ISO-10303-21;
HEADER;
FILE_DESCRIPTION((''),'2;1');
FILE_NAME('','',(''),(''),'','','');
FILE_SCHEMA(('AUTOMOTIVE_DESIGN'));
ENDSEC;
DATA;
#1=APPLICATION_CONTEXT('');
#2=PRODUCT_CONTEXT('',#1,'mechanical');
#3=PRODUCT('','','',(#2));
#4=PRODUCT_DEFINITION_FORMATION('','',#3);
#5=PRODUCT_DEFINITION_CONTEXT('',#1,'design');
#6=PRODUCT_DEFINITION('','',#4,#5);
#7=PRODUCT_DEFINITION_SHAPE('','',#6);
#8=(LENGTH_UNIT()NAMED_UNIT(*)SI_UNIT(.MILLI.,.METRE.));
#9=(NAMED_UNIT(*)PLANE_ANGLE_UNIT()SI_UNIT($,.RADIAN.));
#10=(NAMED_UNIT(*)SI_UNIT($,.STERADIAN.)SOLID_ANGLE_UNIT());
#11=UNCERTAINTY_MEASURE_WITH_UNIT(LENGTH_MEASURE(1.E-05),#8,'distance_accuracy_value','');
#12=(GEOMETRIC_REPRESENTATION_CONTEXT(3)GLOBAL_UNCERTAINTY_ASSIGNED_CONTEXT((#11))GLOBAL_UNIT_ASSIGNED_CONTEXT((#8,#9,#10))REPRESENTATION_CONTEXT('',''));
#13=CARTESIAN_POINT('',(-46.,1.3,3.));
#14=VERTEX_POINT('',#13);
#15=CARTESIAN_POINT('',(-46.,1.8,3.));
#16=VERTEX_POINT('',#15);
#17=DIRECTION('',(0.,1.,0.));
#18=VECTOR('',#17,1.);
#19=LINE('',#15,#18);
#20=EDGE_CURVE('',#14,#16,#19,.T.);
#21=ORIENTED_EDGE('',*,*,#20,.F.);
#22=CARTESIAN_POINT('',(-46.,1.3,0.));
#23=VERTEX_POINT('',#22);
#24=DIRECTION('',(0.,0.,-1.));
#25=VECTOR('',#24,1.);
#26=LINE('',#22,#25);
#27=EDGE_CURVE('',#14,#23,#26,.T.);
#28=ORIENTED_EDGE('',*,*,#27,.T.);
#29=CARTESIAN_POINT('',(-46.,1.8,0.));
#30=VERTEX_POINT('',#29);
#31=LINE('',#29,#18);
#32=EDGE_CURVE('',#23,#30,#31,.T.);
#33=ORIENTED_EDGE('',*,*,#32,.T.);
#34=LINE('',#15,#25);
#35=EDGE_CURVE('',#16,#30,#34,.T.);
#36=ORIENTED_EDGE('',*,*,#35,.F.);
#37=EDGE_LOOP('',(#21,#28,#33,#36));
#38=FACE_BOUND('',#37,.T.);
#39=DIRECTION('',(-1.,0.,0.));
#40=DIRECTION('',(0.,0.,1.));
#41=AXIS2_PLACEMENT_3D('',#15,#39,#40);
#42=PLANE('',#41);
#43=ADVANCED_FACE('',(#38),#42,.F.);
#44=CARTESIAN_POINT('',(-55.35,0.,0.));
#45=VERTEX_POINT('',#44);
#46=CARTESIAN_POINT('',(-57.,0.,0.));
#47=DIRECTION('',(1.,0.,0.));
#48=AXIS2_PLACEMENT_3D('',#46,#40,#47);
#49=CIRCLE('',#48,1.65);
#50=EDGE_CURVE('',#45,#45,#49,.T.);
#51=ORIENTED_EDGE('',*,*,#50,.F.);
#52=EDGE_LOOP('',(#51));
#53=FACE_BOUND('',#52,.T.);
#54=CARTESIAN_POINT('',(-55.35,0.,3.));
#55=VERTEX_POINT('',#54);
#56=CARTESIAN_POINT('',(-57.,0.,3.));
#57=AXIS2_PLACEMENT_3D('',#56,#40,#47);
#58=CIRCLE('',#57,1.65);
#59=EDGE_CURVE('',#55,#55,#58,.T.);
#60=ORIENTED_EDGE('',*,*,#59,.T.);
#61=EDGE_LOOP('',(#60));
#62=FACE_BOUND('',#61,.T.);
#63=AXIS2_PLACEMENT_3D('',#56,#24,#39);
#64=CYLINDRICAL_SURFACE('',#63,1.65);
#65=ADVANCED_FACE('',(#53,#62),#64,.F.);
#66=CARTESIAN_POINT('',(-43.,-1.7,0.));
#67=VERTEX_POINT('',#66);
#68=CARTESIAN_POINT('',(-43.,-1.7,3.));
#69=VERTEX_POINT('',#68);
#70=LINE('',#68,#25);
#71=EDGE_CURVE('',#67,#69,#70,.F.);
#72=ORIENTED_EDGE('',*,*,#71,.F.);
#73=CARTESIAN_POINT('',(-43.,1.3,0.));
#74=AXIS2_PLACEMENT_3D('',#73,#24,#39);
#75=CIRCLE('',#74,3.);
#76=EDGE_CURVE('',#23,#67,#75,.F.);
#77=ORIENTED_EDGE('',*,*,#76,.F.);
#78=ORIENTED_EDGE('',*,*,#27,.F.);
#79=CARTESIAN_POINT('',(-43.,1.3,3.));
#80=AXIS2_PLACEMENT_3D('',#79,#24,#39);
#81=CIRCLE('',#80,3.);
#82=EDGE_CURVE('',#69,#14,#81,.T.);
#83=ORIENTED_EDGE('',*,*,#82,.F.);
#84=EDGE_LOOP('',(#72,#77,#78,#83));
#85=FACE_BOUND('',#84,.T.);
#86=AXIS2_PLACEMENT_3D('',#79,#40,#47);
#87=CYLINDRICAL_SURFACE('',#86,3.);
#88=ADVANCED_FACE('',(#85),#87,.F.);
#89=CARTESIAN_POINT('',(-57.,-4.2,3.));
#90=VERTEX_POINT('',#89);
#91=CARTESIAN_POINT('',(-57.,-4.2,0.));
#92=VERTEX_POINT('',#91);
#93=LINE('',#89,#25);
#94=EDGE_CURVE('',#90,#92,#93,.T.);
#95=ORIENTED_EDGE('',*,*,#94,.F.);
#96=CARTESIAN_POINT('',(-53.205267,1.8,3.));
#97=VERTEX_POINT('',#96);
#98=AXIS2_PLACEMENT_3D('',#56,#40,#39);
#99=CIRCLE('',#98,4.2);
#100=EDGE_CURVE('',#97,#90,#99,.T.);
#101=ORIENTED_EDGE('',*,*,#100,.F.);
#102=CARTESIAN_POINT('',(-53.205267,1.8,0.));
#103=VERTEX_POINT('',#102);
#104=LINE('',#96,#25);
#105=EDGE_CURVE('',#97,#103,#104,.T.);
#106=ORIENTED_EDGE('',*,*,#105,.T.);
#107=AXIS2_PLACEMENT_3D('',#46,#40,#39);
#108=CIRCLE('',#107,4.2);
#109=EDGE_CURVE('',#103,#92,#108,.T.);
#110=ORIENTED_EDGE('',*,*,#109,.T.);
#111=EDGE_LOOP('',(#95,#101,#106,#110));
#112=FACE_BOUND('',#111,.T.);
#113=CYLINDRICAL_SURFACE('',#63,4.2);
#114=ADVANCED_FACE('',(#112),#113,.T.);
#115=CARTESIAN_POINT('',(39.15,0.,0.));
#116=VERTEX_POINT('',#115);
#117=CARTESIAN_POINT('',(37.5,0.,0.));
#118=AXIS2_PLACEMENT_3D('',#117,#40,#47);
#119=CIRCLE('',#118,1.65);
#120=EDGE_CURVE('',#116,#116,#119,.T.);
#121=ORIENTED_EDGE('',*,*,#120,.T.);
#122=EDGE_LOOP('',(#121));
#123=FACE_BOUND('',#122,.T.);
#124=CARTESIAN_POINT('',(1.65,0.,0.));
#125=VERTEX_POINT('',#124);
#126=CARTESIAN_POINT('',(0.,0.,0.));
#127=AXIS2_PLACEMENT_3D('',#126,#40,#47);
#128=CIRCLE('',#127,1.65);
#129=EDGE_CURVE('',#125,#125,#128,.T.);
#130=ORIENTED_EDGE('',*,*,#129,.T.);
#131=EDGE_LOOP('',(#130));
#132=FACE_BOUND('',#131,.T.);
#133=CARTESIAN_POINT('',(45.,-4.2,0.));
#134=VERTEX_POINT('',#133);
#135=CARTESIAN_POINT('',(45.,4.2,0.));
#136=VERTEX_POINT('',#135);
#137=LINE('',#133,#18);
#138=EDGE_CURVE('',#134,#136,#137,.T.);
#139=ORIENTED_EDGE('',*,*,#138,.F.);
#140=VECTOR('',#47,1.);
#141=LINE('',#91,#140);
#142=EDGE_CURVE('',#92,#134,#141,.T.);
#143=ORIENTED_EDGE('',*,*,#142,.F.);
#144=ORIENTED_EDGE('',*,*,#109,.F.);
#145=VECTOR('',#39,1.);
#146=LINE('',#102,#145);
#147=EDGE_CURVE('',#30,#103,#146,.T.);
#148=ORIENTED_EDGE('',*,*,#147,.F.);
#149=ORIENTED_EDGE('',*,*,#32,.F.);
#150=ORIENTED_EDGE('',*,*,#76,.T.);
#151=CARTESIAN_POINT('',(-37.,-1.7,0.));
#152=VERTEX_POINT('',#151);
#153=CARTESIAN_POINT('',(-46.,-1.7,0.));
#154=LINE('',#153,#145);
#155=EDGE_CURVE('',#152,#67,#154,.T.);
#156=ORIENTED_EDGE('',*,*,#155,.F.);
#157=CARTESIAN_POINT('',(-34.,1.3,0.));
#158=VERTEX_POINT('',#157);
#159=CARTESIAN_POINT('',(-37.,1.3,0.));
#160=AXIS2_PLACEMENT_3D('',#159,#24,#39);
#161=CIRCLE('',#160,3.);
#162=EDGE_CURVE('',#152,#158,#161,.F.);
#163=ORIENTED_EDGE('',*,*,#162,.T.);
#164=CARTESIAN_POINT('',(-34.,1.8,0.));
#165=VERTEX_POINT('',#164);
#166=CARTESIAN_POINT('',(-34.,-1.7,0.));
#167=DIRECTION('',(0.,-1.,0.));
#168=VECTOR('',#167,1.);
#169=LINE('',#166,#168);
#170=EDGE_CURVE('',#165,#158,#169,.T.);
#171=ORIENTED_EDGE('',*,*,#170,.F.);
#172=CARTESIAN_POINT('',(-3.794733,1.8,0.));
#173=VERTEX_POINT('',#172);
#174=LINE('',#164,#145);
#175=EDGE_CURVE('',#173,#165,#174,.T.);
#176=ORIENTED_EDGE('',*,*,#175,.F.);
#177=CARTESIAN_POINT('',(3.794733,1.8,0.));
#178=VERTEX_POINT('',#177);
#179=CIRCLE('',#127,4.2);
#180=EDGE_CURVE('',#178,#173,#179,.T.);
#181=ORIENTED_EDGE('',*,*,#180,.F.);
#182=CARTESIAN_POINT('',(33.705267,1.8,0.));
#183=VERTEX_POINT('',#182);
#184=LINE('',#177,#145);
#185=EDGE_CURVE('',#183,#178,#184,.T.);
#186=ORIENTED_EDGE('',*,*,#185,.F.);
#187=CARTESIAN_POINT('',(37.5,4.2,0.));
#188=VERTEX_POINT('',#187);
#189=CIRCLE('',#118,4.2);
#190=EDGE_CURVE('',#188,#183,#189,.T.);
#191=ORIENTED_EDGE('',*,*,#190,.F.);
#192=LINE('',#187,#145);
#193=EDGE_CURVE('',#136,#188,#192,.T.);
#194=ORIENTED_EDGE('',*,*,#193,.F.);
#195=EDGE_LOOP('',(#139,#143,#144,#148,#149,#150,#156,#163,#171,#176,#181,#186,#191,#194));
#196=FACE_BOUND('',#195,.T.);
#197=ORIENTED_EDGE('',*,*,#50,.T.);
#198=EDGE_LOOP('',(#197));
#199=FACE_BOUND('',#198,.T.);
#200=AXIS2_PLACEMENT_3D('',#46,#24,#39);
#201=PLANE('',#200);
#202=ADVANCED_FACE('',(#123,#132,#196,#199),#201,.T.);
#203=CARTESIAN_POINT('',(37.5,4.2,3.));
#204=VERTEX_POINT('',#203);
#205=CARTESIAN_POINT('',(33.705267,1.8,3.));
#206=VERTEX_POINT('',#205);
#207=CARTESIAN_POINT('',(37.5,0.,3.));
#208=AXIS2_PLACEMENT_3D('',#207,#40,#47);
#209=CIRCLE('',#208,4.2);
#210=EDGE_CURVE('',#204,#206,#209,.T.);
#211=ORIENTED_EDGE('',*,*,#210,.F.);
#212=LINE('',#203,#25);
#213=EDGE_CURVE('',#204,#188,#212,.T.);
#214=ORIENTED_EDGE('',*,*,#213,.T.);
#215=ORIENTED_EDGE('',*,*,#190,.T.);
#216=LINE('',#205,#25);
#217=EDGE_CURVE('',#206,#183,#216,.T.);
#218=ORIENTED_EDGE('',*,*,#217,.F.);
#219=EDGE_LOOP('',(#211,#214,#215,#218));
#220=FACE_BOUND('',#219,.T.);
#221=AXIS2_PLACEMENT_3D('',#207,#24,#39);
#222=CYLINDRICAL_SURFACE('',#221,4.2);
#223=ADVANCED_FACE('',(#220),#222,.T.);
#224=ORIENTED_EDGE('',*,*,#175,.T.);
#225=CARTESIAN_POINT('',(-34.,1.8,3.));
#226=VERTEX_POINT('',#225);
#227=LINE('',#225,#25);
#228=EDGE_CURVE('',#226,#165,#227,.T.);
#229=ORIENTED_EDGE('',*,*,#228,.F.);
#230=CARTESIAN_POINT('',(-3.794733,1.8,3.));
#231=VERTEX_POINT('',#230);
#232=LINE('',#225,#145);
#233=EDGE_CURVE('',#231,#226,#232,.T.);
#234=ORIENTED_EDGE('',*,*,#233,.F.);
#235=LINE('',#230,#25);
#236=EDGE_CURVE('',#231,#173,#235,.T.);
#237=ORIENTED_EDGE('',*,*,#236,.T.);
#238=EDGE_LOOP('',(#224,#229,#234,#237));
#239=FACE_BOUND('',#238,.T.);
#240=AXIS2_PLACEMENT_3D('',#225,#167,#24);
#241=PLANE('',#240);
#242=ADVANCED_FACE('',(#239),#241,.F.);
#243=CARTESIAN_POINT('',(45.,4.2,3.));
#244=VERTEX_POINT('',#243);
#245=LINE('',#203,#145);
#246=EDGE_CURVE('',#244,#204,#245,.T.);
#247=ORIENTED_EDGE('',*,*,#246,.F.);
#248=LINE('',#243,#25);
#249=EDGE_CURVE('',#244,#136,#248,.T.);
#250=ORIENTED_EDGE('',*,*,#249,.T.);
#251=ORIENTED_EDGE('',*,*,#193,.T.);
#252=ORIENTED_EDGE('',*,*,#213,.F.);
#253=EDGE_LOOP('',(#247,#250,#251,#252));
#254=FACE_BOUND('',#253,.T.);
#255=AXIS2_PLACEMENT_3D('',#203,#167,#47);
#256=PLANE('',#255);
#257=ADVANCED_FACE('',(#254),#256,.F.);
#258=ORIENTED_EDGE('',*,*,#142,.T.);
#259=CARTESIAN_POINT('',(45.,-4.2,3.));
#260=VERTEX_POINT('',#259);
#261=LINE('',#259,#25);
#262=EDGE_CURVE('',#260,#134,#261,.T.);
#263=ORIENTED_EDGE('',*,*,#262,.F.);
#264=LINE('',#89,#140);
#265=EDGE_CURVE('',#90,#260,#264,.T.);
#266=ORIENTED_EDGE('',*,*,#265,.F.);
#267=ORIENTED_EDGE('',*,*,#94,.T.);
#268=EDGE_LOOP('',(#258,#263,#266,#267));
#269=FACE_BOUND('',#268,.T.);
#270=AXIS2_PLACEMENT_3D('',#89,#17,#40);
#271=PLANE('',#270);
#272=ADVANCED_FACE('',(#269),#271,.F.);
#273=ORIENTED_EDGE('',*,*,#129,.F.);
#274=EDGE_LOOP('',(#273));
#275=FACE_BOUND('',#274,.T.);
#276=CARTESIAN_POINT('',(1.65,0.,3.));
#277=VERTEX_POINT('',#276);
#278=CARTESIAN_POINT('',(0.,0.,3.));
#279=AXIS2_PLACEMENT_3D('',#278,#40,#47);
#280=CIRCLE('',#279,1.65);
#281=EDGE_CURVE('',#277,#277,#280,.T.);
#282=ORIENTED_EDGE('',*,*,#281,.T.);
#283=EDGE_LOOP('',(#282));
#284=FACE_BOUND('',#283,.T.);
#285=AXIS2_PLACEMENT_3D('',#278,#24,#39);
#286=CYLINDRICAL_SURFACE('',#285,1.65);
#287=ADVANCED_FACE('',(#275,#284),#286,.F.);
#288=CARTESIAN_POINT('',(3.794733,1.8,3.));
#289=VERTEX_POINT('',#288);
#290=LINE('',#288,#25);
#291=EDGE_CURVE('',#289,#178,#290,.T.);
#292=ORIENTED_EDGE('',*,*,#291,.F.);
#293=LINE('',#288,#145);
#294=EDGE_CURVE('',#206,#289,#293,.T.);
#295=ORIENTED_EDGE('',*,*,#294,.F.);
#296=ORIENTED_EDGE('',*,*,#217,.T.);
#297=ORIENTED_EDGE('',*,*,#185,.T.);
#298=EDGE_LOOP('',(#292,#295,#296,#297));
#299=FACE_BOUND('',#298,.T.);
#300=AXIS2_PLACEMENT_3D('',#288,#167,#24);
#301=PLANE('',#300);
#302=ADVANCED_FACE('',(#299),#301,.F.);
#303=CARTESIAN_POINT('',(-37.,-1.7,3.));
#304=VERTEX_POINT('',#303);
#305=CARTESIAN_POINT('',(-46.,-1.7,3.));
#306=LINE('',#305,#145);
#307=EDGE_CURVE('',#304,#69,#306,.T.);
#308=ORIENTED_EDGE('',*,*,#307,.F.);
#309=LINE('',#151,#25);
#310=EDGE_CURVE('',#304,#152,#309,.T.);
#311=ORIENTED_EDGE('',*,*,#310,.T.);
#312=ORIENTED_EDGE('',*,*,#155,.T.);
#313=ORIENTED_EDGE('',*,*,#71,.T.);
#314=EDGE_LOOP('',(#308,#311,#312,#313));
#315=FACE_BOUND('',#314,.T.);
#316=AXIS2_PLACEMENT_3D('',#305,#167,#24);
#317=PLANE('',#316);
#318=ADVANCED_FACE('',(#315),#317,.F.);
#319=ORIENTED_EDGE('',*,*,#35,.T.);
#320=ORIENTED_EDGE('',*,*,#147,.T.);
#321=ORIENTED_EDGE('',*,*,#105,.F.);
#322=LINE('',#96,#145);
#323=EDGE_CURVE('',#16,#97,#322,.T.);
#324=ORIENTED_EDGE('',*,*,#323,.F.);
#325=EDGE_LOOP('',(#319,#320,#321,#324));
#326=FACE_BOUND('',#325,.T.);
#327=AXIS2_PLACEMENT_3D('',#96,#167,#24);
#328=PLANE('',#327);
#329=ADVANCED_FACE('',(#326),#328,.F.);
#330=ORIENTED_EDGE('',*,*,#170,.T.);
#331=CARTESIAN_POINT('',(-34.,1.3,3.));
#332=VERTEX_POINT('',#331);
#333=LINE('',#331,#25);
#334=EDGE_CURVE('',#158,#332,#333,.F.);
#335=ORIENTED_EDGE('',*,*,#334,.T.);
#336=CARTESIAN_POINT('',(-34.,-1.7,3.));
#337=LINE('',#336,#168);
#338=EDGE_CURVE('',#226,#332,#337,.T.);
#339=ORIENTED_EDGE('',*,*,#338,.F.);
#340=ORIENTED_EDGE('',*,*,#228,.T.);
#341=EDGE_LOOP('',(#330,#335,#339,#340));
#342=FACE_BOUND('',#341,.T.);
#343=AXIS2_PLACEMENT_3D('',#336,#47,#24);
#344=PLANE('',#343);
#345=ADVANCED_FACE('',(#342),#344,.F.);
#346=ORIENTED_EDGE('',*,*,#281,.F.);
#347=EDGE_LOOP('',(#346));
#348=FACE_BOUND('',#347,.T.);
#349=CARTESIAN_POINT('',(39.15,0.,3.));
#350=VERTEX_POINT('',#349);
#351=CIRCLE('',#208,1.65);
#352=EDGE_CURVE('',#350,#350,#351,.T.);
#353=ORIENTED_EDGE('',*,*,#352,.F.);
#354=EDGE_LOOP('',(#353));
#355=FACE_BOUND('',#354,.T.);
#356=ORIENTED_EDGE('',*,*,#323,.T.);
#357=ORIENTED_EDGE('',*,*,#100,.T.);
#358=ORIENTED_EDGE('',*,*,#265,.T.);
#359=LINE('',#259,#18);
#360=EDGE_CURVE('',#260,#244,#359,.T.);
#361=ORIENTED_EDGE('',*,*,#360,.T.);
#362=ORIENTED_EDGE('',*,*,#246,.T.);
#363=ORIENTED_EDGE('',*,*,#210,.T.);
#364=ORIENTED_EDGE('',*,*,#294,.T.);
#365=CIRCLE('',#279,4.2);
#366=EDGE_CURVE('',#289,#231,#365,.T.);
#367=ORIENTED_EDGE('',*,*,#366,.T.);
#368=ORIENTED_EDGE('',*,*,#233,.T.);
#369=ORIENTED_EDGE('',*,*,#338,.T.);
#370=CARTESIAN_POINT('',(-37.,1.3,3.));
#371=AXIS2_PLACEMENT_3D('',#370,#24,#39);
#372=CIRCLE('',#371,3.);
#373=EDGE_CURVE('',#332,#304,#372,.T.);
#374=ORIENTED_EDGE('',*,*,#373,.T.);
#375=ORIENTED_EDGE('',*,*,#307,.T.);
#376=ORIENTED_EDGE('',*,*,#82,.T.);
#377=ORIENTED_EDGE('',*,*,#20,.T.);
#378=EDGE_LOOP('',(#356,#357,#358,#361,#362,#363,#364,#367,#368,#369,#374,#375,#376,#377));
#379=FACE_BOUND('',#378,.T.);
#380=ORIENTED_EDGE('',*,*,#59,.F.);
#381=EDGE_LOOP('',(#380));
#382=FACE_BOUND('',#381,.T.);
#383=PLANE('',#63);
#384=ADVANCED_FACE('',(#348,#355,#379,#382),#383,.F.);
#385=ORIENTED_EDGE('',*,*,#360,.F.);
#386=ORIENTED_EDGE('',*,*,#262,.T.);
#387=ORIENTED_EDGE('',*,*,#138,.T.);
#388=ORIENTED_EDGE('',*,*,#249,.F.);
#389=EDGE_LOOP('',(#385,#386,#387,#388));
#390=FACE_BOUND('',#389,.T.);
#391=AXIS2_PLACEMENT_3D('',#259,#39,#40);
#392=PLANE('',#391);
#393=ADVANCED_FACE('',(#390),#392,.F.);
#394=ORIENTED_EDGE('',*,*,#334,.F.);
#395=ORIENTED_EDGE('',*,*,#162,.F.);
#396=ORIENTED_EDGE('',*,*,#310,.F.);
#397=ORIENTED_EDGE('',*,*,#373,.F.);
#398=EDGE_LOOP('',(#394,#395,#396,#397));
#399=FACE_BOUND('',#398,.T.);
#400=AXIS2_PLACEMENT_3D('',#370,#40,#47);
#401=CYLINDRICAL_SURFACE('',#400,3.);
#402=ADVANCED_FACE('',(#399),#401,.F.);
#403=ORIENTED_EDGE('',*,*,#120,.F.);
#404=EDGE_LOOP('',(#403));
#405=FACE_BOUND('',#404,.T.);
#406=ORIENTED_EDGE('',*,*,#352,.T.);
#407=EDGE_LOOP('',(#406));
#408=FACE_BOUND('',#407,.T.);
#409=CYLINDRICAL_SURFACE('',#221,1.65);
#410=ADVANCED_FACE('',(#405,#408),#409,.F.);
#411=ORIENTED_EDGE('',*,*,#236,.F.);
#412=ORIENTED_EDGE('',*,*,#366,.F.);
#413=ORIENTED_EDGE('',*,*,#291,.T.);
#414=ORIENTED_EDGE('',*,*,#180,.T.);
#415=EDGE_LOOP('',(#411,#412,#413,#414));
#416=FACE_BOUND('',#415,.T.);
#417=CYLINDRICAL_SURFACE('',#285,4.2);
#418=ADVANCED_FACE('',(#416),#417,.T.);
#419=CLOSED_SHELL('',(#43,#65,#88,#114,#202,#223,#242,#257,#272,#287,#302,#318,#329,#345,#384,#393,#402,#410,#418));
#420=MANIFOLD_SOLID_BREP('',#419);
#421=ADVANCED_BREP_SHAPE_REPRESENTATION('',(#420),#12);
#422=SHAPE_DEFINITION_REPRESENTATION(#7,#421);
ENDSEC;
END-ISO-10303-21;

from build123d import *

# Parameters (mm, degrees)
SKETCH1_R           = 1.65
BOSS_EXTRUDE1_DEPTH = 3
FILLET1_R           = 3


with BuildPart() as part:
    # Sketch1 → Boss-Extrude1 (new body)
    with BuildSketch(Plane.XY):
        with BuildLine():
            Line((-53.205266808, 1.8), (-46, 1.8))
            Line((-46, 1.8), (-46, -1.7))
            Line((-46, -1.7), (-34, -1.7))
            Line((-34, -1.7), (-34, 1.8))
            Line((-34, 1.8), (-3.794733192, 1.8))
            ThreePointArc((-3.794733192, 1.8), (0, 4.2), (3.794733192, 1.8))
            Line((3.794733192, 1.8), (33.705266808, 1.8))
            ThreePointArc((33.705266808, 1.8), (35.255005568, 3.54964787), (37.5, 4.2))
            Line((37.5, 4.2), (45, 4.2))
            Line((45, 4.2), (45, -4.2))
            Line((45, -4.2), (-57, -4.2))
            ThreePointArc((-57, -4.2), (-60.54964787, 2.244994432), (-53.205266808, 1.8))
        make_face()
        Circle(SKETCH1_R, mode=Mode.SUBTRACT)
        with Locations((-57, 0)):
            Circle(SKETCH1_R, mode=Mode.SUBTRACT)
        with Locations((37.5, 0)):
            Circle(SKETCH1_R, mode=Mode.SUBTRACT)
    extrude(amount=BOSS_EXTRUDE1_DEPTH)

    # Fillet1
    fillet1_edges = [part.edges().sort_by_distance(p)[0] for p in [
        (-46, -1.7, 1.5),
        (-34, -1.7, 1.5),
    ]]
    fillet(fillet1_edges, radius=FILLET1_R)


solid = part.part
